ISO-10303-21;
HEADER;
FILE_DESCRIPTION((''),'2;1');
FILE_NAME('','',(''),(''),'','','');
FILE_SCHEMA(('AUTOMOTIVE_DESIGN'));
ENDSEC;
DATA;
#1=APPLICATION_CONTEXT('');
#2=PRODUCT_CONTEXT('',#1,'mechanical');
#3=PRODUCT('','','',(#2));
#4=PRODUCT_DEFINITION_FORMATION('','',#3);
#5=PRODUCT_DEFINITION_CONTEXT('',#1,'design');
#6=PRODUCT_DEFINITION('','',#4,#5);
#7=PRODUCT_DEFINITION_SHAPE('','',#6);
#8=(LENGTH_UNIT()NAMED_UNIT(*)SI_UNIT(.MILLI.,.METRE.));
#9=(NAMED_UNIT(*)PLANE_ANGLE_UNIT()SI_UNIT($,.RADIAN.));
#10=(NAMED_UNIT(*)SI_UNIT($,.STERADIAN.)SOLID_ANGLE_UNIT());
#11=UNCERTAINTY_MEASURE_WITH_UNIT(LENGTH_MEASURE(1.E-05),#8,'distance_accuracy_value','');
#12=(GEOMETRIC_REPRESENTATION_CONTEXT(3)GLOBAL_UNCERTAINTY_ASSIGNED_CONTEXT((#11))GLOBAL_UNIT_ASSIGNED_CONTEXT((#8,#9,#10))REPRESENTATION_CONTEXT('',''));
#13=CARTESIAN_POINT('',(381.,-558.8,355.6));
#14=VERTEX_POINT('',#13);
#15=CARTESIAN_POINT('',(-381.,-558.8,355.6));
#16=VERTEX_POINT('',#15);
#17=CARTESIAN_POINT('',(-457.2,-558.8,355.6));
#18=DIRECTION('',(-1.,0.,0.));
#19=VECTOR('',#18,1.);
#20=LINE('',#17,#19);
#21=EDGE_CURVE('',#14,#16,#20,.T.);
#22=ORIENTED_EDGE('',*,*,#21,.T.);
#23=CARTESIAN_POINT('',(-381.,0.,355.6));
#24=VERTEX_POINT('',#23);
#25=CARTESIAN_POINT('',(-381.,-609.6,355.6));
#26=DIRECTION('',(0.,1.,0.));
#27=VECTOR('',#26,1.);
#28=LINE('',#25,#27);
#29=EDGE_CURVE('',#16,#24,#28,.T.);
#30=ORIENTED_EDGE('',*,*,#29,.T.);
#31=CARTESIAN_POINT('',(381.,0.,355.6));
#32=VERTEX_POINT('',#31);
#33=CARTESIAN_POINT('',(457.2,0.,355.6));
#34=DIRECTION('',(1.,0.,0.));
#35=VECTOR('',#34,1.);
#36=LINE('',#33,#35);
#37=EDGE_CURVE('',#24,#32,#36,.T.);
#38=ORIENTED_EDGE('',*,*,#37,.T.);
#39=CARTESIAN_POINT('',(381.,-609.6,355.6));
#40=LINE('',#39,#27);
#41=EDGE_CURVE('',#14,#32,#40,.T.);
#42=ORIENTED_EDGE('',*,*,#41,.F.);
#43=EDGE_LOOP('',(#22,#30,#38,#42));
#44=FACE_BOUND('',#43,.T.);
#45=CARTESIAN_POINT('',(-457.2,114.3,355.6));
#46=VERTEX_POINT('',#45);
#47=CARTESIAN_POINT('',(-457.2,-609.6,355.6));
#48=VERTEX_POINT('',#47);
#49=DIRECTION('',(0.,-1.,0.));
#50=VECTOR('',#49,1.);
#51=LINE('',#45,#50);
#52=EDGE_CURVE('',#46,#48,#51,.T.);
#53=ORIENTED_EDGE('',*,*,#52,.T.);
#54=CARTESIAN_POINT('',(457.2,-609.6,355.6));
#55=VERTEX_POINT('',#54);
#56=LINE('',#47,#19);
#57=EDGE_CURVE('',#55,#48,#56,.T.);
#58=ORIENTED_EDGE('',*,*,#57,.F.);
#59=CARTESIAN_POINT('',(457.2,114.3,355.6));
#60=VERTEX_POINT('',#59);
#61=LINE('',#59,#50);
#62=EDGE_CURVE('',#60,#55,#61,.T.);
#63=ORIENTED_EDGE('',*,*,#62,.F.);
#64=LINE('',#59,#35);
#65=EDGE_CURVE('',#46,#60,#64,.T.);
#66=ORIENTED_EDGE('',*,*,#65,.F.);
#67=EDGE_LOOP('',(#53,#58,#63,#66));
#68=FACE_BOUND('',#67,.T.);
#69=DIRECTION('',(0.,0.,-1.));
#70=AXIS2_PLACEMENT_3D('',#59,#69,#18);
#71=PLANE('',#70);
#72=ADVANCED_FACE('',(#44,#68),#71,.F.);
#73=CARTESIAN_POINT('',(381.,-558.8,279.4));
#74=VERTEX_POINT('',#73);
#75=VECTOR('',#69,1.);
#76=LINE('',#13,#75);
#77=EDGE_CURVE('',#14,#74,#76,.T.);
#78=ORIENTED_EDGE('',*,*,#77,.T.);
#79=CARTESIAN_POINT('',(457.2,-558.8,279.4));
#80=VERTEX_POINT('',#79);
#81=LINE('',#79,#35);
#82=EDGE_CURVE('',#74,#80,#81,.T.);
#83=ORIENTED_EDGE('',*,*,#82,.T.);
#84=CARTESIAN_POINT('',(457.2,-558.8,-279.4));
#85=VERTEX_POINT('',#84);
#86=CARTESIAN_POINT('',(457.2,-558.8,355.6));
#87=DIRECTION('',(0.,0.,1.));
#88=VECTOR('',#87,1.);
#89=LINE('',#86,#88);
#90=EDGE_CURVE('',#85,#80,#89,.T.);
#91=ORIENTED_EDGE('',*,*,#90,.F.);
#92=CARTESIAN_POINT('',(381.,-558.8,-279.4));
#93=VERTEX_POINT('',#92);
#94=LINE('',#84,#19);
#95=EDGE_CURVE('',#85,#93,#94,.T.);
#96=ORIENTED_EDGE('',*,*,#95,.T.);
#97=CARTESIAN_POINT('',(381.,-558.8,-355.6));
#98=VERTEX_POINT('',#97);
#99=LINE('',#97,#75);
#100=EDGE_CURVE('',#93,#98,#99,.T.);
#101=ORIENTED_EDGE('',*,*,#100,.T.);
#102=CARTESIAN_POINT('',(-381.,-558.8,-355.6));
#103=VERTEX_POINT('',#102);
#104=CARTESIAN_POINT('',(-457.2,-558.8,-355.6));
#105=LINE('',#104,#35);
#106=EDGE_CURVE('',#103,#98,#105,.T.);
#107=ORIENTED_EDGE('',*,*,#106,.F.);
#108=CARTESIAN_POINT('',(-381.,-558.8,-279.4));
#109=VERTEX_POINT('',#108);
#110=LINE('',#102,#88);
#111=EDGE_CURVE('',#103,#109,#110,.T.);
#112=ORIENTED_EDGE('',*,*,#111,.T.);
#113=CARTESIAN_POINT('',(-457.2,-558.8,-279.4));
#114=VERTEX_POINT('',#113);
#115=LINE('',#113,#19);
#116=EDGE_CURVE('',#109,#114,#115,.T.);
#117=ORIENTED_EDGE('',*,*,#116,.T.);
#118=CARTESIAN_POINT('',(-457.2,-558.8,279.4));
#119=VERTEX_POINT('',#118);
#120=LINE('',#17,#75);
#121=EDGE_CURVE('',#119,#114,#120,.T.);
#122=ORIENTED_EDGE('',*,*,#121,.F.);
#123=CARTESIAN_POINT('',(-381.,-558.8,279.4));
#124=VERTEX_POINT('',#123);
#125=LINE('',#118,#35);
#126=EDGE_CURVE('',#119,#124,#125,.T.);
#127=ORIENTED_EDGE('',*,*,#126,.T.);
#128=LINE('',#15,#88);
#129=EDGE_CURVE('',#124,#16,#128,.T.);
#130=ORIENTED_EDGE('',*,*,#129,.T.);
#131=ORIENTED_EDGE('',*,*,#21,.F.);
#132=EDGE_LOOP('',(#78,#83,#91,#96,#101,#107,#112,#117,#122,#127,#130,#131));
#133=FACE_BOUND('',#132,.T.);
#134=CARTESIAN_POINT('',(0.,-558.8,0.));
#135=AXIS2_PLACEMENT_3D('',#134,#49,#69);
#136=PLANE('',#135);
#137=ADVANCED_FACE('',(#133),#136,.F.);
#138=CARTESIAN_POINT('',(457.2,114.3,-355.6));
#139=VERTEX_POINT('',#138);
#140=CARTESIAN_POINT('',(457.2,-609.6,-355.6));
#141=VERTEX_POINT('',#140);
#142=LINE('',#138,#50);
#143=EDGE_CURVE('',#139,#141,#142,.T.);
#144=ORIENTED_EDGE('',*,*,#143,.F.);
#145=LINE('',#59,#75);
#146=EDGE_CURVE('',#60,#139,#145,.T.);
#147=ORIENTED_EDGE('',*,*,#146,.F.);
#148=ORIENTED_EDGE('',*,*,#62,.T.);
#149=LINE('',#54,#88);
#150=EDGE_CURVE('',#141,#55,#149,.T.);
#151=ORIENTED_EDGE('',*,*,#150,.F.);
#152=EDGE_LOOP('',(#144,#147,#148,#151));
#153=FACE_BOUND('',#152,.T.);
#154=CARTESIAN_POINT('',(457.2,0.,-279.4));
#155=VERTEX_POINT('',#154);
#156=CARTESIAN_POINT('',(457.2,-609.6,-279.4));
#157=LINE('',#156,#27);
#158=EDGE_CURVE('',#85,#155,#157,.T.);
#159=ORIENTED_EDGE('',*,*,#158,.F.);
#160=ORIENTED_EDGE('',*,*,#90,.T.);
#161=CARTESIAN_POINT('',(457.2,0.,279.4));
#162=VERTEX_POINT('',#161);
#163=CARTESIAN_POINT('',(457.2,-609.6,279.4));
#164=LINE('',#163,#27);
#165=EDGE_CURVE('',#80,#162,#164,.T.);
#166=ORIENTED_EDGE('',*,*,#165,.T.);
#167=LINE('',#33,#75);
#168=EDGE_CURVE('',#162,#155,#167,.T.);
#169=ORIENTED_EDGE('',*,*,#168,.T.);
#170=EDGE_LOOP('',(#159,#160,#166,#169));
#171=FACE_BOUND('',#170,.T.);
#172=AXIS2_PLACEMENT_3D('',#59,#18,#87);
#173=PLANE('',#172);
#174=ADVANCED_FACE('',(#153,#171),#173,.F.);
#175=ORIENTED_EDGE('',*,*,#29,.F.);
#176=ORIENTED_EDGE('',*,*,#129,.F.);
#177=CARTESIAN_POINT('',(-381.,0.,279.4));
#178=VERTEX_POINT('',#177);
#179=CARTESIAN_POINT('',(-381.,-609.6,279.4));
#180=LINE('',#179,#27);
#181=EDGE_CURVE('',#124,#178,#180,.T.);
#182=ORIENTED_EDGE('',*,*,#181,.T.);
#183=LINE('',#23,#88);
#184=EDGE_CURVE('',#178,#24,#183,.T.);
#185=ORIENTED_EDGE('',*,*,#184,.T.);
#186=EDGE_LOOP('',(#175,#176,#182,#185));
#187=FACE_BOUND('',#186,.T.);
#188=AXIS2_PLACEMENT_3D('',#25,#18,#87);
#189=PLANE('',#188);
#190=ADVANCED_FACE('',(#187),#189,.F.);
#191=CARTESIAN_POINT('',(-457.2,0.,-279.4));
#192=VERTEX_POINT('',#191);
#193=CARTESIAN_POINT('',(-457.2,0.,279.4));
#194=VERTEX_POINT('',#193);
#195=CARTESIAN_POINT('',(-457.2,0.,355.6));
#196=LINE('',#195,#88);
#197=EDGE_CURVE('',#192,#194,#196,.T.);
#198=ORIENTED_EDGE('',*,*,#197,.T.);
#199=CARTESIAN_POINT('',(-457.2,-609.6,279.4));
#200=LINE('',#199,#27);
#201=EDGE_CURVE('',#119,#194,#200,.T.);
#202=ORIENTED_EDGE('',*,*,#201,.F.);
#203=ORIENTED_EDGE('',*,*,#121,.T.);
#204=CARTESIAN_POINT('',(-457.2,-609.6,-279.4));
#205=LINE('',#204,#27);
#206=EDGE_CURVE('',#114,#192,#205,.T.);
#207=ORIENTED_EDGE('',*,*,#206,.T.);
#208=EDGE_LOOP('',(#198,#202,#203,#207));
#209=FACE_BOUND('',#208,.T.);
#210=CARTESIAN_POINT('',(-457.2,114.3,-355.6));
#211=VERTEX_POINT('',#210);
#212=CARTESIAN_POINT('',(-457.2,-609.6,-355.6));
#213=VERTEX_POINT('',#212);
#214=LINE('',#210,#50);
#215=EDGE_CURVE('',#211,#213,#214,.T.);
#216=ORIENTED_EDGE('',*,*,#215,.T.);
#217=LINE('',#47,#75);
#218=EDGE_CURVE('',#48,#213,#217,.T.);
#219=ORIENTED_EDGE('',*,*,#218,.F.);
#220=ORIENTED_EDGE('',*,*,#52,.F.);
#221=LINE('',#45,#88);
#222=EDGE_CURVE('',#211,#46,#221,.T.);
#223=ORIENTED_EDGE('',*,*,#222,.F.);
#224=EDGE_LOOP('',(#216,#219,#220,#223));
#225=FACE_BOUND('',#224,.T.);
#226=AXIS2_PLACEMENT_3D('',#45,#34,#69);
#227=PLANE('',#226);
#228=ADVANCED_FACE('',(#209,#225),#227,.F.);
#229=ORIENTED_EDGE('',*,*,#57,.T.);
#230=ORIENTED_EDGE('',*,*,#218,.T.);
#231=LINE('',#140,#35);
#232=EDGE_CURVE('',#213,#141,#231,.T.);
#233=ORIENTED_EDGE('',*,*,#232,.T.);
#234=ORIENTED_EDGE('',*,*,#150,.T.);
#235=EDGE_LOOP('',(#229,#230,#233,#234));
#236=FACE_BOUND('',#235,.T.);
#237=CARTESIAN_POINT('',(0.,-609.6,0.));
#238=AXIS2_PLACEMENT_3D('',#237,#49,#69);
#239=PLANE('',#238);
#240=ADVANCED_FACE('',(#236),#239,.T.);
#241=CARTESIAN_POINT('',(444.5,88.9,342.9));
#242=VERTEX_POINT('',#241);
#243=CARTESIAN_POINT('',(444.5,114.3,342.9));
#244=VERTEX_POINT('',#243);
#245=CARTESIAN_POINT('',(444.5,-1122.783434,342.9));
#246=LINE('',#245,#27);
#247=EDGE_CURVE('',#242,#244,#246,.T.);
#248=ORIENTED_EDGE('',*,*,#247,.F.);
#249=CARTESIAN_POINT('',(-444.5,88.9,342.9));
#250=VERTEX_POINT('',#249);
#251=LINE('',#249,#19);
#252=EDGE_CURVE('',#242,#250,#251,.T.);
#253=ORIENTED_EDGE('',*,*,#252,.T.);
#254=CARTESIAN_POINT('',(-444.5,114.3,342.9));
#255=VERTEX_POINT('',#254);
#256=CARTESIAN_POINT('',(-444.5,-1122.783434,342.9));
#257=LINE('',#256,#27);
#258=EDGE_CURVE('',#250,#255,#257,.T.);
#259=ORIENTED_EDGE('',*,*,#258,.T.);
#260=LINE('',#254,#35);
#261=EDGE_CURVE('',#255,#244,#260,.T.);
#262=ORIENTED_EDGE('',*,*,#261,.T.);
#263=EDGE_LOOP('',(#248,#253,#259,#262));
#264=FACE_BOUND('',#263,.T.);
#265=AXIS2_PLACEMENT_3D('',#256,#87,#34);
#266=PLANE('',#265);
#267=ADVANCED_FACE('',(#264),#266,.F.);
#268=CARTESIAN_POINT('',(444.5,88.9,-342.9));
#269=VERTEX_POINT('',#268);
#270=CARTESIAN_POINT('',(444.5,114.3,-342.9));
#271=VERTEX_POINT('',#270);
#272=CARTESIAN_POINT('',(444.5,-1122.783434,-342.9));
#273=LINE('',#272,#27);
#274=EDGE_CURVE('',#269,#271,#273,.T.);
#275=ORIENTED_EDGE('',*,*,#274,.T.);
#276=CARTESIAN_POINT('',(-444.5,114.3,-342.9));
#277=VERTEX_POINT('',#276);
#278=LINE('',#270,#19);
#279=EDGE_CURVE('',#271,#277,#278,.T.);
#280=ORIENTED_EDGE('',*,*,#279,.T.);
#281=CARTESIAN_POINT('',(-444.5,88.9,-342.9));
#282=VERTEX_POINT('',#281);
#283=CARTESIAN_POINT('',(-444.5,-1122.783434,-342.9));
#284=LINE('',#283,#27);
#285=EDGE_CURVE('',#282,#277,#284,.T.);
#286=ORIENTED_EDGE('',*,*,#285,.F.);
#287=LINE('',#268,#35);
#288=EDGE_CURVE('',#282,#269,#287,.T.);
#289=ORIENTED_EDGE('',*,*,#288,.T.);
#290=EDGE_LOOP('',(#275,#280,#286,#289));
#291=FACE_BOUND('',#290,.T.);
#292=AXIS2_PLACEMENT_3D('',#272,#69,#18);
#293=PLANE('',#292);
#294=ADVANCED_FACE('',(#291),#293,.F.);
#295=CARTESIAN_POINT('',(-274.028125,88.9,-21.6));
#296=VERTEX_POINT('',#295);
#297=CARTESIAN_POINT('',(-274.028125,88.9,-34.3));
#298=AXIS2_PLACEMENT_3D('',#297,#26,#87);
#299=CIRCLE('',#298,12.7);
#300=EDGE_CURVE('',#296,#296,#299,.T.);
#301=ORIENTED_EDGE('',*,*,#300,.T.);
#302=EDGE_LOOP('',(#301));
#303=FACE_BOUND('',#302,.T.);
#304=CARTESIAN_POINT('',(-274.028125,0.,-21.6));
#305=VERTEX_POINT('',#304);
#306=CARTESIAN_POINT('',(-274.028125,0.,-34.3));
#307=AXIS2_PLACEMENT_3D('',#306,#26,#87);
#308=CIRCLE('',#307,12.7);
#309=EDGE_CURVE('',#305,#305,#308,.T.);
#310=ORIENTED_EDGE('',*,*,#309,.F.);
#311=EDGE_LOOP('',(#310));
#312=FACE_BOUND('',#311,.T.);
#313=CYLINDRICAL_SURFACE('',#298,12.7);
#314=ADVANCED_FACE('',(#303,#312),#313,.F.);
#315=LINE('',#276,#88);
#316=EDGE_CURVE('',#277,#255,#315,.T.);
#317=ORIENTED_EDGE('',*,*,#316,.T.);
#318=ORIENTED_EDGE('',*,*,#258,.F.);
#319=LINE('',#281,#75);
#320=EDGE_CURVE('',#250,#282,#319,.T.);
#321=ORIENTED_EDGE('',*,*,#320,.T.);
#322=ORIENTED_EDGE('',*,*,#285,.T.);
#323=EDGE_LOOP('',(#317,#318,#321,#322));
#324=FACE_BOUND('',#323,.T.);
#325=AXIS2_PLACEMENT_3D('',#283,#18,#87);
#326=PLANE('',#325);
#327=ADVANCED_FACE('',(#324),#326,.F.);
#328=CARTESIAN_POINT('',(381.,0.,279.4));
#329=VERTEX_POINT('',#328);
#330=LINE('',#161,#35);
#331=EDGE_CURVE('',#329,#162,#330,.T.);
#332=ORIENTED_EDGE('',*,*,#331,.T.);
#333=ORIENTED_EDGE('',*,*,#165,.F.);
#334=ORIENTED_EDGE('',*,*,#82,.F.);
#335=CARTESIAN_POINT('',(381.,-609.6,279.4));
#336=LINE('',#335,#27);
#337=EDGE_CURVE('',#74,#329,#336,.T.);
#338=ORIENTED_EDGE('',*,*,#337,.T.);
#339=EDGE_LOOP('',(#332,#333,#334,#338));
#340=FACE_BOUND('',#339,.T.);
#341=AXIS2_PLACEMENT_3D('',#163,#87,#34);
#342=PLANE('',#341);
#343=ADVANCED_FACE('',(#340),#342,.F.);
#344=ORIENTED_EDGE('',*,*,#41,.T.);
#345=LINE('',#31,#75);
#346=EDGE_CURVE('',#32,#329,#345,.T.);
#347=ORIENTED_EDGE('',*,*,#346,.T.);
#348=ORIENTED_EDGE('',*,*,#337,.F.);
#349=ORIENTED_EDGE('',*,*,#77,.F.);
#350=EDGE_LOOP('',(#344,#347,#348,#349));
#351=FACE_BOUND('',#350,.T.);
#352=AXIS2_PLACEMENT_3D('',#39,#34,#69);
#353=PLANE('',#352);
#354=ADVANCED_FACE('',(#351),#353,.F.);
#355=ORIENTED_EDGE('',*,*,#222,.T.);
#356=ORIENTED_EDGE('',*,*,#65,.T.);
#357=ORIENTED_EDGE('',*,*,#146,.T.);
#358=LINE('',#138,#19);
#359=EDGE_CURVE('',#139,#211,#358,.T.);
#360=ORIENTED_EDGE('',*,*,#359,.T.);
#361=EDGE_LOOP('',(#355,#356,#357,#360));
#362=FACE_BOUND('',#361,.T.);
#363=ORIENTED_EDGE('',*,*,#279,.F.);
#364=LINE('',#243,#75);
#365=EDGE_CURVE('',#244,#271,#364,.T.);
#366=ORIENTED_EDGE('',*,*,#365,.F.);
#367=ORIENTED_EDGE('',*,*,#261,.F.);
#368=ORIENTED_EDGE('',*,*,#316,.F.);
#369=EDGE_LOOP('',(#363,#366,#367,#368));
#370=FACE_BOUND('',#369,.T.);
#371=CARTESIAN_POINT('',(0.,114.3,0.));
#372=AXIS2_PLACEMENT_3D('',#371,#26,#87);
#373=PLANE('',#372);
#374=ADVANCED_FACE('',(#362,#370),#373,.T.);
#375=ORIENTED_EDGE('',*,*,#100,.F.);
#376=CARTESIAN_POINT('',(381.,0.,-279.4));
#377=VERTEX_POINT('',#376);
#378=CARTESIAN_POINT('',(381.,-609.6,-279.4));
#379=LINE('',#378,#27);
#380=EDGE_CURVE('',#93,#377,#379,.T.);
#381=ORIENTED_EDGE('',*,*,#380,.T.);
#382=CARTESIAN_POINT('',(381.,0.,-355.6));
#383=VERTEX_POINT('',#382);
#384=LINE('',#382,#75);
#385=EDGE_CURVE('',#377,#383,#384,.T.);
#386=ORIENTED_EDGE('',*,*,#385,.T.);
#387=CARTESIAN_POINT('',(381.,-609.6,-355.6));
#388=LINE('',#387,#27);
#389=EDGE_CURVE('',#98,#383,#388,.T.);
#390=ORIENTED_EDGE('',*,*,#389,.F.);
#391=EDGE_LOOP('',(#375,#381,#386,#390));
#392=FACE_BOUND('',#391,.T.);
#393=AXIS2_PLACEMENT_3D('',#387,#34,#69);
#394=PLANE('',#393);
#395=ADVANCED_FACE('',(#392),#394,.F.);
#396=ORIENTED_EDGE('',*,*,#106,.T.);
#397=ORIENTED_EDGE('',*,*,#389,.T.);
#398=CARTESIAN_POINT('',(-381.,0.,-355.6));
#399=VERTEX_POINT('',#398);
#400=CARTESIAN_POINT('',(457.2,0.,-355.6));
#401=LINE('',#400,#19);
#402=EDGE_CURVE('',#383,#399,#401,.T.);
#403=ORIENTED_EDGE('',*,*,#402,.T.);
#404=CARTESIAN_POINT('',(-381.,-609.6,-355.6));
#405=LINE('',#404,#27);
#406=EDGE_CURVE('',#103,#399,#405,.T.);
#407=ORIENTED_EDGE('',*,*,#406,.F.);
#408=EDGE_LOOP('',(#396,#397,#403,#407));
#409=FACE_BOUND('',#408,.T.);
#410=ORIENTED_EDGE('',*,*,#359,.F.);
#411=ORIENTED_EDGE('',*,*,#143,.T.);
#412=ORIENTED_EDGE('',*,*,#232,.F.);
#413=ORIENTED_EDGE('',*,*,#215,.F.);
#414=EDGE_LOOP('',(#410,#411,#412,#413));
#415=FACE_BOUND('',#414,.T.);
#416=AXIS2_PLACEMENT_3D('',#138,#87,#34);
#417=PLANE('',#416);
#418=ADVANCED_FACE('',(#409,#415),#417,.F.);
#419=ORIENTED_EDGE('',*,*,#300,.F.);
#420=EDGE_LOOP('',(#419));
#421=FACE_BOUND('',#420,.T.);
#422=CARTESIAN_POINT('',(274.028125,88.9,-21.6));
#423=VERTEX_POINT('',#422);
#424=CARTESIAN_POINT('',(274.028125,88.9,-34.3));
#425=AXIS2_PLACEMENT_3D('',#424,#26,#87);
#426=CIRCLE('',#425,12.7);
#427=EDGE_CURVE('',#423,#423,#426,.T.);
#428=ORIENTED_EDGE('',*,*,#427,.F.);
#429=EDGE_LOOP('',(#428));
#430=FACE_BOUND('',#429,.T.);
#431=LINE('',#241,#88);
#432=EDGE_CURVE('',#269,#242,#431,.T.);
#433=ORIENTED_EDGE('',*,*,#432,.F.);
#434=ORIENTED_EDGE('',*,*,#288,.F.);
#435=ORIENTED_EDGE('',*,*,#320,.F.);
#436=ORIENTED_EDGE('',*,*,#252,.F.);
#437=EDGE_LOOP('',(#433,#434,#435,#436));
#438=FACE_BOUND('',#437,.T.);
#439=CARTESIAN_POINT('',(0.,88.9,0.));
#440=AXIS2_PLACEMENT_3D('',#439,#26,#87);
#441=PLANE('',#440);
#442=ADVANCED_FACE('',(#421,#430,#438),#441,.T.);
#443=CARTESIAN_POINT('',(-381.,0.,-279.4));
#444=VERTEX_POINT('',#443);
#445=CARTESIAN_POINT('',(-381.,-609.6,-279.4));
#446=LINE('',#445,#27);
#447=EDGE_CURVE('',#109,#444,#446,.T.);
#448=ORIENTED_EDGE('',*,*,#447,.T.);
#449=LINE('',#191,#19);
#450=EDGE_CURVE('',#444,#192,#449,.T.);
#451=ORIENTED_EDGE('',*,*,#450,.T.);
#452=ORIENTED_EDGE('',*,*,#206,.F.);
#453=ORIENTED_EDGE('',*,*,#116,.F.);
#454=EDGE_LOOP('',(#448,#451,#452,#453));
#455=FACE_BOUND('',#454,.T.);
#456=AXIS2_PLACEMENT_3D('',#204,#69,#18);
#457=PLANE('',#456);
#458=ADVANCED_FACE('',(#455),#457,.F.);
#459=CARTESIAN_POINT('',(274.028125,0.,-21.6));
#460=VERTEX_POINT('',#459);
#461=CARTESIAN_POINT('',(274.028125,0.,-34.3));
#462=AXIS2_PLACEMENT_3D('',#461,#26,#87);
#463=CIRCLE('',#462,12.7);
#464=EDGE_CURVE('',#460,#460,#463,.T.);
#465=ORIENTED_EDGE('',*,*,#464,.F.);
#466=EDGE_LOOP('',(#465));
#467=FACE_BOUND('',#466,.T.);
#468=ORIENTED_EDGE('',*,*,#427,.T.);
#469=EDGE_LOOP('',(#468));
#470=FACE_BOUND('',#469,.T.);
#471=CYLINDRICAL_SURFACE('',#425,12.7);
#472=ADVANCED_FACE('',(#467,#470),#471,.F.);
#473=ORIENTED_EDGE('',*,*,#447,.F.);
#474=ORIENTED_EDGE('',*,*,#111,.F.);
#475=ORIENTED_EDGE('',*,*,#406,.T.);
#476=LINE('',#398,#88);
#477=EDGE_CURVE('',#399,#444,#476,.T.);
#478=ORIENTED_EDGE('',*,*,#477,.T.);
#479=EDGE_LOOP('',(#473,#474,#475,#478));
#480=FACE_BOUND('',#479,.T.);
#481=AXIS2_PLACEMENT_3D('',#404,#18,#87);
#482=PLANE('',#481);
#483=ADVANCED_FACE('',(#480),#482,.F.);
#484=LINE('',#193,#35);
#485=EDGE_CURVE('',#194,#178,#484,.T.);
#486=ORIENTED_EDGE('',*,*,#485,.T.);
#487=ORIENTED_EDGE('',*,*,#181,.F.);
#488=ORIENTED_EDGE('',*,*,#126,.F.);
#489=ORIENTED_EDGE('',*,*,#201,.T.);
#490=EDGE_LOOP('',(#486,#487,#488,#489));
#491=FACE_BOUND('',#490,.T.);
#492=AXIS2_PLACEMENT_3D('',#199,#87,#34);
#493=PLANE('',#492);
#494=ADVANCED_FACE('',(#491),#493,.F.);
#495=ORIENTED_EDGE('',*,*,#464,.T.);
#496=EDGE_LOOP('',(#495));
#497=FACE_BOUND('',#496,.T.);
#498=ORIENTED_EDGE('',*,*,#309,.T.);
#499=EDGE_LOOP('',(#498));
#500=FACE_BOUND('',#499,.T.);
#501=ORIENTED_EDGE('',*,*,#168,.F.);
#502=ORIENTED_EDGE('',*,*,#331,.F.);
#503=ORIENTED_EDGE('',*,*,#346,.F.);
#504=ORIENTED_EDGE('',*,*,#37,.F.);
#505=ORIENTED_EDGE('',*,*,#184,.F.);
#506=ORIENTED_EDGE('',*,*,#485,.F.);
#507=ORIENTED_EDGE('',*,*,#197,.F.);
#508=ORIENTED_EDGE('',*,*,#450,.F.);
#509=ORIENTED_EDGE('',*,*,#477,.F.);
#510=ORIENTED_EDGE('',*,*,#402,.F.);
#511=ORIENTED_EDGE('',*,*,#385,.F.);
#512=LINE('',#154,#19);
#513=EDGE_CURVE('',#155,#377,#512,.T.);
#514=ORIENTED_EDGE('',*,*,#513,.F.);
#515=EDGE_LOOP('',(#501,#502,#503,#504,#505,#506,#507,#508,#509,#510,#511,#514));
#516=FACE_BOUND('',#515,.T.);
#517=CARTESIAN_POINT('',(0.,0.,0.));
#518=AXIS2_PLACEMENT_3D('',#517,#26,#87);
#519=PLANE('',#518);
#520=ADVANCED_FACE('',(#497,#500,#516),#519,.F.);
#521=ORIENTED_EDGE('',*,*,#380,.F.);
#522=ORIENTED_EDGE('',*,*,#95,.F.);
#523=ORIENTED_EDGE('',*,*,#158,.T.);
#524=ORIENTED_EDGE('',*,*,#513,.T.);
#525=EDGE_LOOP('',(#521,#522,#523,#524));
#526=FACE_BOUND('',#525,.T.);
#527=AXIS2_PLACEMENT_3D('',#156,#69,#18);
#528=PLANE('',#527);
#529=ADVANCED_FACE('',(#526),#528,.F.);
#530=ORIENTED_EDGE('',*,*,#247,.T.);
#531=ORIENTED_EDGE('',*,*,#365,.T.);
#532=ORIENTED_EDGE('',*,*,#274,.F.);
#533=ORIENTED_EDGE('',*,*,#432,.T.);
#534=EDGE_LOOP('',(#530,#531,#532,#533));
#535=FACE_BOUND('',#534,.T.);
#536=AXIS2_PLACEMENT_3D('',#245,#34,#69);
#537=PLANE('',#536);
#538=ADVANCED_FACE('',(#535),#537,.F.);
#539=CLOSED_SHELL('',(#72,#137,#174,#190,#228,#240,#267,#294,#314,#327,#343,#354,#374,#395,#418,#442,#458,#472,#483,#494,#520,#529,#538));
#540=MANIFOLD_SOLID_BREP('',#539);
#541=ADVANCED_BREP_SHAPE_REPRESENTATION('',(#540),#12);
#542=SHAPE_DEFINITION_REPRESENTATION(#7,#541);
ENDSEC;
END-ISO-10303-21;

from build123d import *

# Parameters (mm, degrees)
SKETCH1_W                  = 914.4
SKETCH1_H                  = 711.2
BOSS_EXTRUDE1_DEPTH        = 114.3
SKETCH2_W                  = 889
SKETCH2_H                  = 685.8
CUT_EXTRUDE1_DEPTH         = 25.4
SKETCH3_W                  = 76.2
SKETCH3_H                  = 76.2
BOSS_EXTRUDE2_DEPTH        = 609.6
SKETCH4_W                  = 914.4
SKETCH4_H                  = 711.2
BOSS_EXTRUDE3_DEPTH        = 50.8
F_1_1_DIAMETER_HOLE1_D     = 25.4
F_1_1_DIAMETER_HOLE1_DEPTH = 88.9


with BuildPart() as part:
    # Sketch1 → Boss-Extrude1 (new body)
    with BuildSketch(Plane(origin=(0, 0, 0), x_dir=(1, 0, 0), z_dir=(0, 1, 0))):
        Rectangle(SKETCH1_W, SKETCH1_H)
    extrude(amount=BOSS_EXTRUDE1_DEPTH)

    # Sketch2 → Cut-Extrude1 (cut)
    with BuildSketch(Plane(origin=(0, 114.3, 0), x_dir=(1, 0, 0), z_dir=(0, 1, 0))):
        Rectangle(SKETCH2_W, SKETCH2_H)
    extrude(amount=-CUT_EXTRUDE1_DEPTH, mode=Mode.SUBTRACT)

    # Sketch3 → Boss-Extrude2 (add)
    with BuildSketch(Plane.XZ):
        with Locations((-419.1, 317.5)):
            Rectangle(SKETCH3_W, SKETCH3_H)
        with Locations((419.1, 317.5)):
            Rectangle(SKETCH3_W, SKETCH3_H)
        with Locations((419.1, -317.5)):
            Rectangle(SKETCH3_W, SKETCH3_H)
        with Locations((-419.1, -317.5)):
            Rectangle(SKETCH3_W, SKETCH3_H)
    extrude(amount=BOSS_EXTRUDE2_DEPTH)

    # Sketch4 → Boss-Extrude3 (add)
    with BuildSketch(Plane.XZ.offset(609.6)):
        Rectangle(SKETCH4_W, SKETCH4_H)
    extrude(amount=-BOSS_EXTRUDE3_DEPTH)

    # 1 (1) Diameter Hole1
    with Locations(Plane(origin=(0, 88.9, 0), x_dir=(1, 0, 0), z_dir=(0, 1, 0))):
        with Locations((-274.028125044, 34.29999998), (274.028125044, 34.29999998)):
            Hole(F_1_1_DIAMETER_HOLE1_D / 2, depth=F_1_1_DIAMETER_HOLE1_DEPTH)


solid = part.part
